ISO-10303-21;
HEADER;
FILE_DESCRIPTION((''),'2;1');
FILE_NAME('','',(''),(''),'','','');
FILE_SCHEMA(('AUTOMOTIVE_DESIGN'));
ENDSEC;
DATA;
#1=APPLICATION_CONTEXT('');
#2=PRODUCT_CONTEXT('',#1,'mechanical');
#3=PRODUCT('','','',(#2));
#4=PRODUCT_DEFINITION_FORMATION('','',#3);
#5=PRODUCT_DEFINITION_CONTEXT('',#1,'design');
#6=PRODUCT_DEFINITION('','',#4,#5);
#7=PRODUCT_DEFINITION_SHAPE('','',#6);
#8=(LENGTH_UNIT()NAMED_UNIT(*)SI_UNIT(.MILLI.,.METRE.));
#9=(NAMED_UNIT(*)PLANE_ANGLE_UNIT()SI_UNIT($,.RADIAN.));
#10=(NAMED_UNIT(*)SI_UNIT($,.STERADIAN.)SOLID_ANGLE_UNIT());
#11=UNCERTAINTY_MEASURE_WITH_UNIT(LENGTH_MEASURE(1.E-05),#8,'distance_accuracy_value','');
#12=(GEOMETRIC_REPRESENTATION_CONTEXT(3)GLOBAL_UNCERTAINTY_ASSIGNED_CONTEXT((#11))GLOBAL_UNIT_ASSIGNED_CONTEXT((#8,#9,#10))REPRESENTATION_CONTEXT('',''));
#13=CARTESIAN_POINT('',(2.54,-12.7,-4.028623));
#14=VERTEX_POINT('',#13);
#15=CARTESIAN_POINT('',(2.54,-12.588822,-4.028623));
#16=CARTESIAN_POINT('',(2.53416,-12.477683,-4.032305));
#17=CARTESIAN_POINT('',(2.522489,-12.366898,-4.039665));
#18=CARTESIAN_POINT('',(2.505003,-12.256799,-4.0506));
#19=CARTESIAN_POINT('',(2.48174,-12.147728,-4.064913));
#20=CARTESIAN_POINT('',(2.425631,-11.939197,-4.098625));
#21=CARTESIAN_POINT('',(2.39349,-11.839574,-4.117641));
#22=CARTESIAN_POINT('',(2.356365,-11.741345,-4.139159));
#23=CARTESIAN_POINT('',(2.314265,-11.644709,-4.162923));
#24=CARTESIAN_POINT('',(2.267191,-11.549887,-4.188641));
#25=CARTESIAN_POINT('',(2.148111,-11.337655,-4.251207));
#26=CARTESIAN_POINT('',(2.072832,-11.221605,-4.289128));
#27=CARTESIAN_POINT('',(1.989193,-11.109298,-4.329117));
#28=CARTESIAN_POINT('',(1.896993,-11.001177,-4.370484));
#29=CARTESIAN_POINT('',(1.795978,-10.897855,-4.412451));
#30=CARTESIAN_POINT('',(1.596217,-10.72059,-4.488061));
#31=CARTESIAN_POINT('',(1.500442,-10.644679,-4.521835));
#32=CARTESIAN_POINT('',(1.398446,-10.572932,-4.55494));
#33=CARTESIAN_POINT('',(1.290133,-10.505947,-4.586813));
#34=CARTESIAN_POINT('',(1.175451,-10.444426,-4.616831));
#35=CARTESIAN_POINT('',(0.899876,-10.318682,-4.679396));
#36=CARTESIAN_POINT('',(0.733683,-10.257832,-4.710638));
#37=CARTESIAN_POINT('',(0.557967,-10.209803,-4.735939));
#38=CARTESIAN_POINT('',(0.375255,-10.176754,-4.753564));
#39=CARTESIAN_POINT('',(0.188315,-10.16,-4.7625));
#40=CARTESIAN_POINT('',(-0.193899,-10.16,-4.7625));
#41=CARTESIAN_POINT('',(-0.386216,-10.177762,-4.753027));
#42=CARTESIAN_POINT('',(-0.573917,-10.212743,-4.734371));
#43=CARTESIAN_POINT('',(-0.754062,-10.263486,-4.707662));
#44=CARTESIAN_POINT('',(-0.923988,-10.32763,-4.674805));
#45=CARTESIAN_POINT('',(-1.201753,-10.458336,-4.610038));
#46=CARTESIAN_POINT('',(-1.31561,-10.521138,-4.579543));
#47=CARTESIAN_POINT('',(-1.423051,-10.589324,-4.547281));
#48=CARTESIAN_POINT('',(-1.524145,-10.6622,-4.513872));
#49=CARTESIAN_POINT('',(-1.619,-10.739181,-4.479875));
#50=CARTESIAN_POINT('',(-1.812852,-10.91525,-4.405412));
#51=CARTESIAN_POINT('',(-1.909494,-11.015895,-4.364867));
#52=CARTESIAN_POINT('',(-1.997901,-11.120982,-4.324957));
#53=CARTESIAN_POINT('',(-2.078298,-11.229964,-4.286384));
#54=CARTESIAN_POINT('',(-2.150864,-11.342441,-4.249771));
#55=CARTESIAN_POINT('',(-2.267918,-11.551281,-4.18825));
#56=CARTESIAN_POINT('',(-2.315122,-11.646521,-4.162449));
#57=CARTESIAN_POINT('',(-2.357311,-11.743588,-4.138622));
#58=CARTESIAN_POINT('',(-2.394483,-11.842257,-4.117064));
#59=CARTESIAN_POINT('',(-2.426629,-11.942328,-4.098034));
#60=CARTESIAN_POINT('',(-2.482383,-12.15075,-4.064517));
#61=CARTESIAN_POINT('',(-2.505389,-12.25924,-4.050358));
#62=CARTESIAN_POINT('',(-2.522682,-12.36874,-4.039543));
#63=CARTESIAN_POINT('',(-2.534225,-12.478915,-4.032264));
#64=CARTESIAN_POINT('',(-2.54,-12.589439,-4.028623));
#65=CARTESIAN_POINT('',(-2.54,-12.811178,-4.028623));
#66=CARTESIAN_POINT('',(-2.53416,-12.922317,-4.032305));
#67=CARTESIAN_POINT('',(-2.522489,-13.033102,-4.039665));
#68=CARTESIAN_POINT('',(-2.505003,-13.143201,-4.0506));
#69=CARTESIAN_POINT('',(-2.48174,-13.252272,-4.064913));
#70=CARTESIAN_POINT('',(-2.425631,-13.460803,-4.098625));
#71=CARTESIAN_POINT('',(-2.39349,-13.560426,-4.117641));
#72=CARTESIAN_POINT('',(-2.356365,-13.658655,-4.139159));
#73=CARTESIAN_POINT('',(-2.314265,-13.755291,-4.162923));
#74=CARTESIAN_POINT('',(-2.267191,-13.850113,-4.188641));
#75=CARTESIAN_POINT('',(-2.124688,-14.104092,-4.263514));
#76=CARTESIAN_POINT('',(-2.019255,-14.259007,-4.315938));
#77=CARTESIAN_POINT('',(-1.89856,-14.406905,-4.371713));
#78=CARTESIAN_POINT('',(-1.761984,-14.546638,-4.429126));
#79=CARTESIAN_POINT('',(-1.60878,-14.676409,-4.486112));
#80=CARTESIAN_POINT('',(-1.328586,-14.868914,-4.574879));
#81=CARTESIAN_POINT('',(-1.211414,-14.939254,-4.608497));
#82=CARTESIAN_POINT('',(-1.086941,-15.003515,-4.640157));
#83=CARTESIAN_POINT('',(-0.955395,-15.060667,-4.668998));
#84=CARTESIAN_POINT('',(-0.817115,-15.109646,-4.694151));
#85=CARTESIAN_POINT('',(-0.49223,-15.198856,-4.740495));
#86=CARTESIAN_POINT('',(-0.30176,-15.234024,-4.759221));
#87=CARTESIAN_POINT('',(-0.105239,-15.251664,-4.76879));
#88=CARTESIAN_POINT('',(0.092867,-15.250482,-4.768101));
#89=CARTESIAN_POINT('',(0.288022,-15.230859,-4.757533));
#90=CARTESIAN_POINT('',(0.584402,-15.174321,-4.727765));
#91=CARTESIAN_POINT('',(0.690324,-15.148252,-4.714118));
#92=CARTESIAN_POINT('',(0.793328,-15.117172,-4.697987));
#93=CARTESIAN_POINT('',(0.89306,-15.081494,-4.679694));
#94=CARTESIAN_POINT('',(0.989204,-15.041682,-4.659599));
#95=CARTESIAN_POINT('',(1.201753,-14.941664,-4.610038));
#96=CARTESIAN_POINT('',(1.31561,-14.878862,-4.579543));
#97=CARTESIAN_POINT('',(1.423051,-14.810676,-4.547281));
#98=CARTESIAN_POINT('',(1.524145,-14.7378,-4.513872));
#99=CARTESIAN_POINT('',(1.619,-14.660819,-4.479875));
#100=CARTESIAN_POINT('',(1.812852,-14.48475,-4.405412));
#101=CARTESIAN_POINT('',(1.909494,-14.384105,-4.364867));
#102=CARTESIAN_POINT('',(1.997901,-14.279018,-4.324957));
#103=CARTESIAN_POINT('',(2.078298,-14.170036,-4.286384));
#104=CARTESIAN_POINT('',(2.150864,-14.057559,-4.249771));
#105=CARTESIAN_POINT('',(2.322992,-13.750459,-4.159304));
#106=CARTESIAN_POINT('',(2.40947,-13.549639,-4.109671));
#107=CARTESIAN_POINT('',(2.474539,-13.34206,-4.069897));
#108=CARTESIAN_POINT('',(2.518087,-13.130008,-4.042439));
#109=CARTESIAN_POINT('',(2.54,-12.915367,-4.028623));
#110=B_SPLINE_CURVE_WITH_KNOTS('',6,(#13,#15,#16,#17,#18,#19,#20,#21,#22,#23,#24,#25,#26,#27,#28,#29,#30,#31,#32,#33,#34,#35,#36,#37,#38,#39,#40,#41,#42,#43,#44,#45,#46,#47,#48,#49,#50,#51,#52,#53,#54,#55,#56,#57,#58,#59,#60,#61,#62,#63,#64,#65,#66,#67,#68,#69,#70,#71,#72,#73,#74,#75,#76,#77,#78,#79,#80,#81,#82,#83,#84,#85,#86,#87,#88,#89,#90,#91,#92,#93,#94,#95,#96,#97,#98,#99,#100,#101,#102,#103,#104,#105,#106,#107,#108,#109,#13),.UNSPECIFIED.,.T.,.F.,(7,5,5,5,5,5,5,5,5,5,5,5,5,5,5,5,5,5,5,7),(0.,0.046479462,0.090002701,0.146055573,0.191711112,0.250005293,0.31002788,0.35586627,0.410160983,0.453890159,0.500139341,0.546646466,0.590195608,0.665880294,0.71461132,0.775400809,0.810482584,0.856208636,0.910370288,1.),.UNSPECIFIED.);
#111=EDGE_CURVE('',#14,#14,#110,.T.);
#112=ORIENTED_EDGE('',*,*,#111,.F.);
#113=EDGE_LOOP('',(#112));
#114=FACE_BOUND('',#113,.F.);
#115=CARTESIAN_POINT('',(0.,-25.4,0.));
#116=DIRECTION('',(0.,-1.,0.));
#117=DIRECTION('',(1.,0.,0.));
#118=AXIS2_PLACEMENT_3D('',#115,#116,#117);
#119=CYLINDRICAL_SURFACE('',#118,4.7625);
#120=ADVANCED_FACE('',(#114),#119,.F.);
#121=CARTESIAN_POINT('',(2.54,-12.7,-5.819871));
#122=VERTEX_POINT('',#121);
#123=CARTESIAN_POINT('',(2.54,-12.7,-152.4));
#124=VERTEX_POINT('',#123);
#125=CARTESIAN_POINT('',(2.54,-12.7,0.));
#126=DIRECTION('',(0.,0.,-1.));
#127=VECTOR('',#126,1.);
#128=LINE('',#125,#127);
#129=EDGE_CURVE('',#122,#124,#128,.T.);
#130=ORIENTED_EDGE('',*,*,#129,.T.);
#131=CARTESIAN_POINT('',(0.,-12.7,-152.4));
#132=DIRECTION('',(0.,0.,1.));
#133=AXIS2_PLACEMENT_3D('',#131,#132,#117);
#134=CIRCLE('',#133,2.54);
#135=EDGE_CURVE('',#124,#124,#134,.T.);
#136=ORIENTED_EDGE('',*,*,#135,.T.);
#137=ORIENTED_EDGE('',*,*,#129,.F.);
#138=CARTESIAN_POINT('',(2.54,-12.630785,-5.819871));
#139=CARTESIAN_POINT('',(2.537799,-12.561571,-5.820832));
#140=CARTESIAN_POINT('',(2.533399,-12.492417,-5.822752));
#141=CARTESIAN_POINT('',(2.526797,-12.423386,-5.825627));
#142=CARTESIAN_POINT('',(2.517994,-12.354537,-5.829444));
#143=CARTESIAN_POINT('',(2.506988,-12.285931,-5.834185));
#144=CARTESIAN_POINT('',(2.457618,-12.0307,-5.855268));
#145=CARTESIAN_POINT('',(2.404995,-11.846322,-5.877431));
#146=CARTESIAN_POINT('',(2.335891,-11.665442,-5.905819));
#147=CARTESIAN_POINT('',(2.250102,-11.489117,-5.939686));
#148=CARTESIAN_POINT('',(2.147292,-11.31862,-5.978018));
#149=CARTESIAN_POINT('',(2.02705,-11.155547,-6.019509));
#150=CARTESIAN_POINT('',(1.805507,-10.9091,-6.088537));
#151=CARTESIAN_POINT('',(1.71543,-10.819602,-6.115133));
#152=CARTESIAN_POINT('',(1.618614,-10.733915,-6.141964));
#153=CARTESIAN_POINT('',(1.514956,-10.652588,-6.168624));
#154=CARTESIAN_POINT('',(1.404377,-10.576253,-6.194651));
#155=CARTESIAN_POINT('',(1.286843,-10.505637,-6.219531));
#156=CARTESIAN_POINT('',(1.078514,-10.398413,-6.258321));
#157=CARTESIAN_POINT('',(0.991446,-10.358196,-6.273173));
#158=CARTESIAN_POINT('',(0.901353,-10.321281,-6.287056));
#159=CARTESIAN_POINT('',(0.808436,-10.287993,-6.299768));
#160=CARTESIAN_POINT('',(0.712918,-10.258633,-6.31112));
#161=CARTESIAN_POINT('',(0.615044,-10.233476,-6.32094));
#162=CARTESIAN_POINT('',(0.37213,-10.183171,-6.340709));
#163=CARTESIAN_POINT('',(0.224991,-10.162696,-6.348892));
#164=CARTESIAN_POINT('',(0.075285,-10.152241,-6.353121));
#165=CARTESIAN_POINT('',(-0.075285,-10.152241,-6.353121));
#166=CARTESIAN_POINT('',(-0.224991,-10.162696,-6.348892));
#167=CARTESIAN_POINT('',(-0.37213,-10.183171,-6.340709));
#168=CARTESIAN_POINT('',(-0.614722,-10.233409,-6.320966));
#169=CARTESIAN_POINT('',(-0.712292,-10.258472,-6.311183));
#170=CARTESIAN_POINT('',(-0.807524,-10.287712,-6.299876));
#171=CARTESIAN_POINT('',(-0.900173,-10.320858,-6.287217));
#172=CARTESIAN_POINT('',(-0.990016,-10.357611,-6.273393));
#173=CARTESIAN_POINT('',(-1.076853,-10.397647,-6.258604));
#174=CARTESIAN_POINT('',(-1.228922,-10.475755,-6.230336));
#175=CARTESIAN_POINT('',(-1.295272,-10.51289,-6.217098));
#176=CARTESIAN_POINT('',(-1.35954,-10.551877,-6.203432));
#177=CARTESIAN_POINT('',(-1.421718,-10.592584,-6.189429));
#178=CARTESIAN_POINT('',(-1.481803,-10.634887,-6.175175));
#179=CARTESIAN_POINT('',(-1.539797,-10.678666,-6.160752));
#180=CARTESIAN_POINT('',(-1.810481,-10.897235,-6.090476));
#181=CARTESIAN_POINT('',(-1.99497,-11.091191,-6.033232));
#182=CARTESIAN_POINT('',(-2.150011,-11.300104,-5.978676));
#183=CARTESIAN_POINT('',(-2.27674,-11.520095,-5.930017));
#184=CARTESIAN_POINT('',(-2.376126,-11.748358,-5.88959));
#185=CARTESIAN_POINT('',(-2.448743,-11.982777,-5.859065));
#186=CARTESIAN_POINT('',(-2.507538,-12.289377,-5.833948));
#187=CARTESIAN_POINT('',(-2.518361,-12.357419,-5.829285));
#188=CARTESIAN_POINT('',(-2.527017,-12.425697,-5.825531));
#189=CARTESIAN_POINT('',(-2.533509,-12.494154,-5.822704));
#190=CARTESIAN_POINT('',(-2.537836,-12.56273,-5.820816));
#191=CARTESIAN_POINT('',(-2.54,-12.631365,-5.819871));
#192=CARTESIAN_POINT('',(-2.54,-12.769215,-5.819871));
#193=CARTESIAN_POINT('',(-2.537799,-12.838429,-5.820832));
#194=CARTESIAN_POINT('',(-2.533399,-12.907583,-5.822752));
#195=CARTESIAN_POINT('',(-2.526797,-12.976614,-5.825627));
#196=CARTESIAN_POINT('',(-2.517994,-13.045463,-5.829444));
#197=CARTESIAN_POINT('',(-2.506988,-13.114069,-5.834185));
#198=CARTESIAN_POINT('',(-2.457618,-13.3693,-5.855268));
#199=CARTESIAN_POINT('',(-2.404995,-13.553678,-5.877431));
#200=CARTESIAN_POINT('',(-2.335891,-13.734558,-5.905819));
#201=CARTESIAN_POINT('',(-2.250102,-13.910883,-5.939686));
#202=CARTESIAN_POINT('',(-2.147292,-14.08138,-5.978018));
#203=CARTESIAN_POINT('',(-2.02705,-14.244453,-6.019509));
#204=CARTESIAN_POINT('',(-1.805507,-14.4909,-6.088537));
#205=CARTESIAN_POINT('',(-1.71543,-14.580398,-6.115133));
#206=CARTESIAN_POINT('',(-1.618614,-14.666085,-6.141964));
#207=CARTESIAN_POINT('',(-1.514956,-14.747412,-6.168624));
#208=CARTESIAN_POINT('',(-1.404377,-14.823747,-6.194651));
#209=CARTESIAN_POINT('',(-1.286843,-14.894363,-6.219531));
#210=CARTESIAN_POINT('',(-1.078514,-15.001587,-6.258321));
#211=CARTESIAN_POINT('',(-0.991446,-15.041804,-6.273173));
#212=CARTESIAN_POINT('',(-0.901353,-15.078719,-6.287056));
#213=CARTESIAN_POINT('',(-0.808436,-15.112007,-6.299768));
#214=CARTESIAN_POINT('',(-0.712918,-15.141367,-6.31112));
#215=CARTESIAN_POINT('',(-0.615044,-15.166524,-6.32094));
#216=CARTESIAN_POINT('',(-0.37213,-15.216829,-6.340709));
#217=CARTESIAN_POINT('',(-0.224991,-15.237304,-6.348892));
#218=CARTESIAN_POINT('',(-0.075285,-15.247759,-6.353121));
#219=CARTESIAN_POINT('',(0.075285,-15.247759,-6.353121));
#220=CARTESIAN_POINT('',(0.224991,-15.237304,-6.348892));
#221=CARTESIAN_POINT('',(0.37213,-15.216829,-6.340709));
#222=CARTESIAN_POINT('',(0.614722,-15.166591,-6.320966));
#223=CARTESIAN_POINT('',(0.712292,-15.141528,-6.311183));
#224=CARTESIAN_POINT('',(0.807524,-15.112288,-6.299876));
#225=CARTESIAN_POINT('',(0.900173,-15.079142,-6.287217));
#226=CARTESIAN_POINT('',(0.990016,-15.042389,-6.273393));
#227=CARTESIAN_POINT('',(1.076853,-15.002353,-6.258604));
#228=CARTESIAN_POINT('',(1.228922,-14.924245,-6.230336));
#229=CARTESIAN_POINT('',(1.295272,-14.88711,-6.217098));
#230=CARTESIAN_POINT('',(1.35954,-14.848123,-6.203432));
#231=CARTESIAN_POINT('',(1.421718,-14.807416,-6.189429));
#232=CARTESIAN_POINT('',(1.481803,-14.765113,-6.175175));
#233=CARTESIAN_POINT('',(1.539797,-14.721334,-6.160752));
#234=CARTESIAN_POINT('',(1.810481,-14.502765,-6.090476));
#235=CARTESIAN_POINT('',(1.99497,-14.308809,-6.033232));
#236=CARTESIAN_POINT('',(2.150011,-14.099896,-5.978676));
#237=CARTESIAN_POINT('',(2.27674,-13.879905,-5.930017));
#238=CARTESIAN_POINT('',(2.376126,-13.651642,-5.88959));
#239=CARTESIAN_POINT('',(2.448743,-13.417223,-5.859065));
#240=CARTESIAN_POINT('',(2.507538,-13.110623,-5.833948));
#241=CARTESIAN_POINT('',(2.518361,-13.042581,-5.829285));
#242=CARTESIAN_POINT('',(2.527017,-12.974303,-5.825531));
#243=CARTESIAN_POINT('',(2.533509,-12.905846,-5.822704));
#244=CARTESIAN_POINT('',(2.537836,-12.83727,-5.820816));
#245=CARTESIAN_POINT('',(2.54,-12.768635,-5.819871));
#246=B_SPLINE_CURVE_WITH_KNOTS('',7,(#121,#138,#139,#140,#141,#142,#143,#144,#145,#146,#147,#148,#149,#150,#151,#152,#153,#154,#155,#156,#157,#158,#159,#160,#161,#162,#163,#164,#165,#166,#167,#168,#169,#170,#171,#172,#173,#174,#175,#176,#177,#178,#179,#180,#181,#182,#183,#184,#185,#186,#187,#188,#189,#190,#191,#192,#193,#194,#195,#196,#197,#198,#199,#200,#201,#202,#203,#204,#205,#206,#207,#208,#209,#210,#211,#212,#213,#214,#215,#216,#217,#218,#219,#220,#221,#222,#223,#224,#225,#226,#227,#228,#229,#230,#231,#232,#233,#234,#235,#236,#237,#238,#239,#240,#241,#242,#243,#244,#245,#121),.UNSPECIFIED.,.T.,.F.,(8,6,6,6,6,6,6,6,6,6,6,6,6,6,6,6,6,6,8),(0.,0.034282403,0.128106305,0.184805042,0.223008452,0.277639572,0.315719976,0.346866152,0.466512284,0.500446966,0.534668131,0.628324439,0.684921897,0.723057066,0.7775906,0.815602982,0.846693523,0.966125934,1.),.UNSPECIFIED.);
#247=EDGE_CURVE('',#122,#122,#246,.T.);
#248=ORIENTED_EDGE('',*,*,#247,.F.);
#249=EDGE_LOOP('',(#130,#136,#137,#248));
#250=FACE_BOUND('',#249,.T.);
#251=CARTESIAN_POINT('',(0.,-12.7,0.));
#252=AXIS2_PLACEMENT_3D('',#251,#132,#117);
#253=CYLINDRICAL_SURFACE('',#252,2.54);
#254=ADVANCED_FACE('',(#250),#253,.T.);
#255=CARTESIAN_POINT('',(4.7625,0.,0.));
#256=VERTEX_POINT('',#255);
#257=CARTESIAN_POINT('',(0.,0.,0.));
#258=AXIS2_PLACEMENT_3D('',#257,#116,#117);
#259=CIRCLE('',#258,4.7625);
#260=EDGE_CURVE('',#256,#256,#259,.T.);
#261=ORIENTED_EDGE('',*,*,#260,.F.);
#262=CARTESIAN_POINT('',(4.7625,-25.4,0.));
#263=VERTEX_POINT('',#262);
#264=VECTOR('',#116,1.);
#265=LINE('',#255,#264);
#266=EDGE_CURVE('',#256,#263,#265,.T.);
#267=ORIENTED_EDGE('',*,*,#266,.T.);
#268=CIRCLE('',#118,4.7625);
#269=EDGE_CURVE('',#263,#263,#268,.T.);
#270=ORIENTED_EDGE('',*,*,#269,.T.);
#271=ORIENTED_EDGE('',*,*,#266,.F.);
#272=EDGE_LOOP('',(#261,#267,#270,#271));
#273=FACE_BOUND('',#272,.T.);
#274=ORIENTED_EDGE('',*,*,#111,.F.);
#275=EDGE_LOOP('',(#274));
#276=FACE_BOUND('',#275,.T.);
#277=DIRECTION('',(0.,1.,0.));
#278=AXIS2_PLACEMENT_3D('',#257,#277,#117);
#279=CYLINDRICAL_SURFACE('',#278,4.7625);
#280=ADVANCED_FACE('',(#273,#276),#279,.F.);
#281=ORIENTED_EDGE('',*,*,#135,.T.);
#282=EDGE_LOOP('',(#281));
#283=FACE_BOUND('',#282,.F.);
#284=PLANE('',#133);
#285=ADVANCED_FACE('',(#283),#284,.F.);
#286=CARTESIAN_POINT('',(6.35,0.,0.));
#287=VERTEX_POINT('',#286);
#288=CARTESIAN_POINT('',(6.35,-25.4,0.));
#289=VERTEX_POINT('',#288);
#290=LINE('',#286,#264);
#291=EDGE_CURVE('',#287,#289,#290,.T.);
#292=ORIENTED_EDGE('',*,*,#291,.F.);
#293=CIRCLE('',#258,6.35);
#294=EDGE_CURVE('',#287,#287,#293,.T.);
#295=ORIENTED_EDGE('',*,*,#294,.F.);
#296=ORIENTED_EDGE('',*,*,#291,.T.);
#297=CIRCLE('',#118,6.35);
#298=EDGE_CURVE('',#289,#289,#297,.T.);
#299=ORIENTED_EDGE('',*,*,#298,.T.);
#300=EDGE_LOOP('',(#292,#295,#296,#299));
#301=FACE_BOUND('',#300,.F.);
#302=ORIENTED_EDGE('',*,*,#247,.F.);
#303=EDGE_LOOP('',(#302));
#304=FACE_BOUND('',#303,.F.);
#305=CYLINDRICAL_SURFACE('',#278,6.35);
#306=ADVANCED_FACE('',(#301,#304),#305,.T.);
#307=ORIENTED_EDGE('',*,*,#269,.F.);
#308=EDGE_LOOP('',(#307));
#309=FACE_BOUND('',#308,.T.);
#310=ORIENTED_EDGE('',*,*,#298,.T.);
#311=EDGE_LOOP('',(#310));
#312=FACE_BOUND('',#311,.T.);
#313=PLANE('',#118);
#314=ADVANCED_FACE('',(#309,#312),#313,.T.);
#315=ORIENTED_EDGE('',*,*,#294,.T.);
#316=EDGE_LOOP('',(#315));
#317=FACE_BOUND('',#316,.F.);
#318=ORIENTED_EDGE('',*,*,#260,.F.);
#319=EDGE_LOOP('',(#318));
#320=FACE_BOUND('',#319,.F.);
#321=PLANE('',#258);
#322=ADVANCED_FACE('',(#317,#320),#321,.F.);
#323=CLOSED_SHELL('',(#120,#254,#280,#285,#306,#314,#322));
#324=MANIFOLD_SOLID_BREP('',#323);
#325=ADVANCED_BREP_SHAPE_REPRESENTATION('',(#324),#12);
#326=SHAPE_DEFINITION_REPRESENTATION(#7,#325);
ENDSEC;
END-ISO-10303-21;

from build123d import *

# Parameters (mm, degrees)
F0_R     = 6.35
F0_R_2   = 4.7625
F1_DEPTH = 25.4
F2_R     = 2.54
F3_DEPTH = 152.4
F4_R     = 4.7625
F5_DEPTH = 25.4


with BuildPart() as f1:
    # F0 (on Front) → F1 (new body)
    with BuildSketch(Plane.XZ):
        Circle(F0_R)
        Circle(F0_R_2, mode=Mode.SUBTRACT)
    extrude(amount=F1_DEPTH)

    # F2 (on Top) → F3 (join)
    with BuildSketch(Plane.XY):
        with Locations((0, -12.7)):
            Circle(F2_R)
    extrude(amount=-F3_DEPTH)

    # F4 (on face) → F5 (cut)
    with BuildSketch(Plane.XZ.offset(25.4)):
        Circle(F4_R)
    extrude(amount=-F5_DEPTH, mode=Mode.SUBTRACT)


solid = f1.part
